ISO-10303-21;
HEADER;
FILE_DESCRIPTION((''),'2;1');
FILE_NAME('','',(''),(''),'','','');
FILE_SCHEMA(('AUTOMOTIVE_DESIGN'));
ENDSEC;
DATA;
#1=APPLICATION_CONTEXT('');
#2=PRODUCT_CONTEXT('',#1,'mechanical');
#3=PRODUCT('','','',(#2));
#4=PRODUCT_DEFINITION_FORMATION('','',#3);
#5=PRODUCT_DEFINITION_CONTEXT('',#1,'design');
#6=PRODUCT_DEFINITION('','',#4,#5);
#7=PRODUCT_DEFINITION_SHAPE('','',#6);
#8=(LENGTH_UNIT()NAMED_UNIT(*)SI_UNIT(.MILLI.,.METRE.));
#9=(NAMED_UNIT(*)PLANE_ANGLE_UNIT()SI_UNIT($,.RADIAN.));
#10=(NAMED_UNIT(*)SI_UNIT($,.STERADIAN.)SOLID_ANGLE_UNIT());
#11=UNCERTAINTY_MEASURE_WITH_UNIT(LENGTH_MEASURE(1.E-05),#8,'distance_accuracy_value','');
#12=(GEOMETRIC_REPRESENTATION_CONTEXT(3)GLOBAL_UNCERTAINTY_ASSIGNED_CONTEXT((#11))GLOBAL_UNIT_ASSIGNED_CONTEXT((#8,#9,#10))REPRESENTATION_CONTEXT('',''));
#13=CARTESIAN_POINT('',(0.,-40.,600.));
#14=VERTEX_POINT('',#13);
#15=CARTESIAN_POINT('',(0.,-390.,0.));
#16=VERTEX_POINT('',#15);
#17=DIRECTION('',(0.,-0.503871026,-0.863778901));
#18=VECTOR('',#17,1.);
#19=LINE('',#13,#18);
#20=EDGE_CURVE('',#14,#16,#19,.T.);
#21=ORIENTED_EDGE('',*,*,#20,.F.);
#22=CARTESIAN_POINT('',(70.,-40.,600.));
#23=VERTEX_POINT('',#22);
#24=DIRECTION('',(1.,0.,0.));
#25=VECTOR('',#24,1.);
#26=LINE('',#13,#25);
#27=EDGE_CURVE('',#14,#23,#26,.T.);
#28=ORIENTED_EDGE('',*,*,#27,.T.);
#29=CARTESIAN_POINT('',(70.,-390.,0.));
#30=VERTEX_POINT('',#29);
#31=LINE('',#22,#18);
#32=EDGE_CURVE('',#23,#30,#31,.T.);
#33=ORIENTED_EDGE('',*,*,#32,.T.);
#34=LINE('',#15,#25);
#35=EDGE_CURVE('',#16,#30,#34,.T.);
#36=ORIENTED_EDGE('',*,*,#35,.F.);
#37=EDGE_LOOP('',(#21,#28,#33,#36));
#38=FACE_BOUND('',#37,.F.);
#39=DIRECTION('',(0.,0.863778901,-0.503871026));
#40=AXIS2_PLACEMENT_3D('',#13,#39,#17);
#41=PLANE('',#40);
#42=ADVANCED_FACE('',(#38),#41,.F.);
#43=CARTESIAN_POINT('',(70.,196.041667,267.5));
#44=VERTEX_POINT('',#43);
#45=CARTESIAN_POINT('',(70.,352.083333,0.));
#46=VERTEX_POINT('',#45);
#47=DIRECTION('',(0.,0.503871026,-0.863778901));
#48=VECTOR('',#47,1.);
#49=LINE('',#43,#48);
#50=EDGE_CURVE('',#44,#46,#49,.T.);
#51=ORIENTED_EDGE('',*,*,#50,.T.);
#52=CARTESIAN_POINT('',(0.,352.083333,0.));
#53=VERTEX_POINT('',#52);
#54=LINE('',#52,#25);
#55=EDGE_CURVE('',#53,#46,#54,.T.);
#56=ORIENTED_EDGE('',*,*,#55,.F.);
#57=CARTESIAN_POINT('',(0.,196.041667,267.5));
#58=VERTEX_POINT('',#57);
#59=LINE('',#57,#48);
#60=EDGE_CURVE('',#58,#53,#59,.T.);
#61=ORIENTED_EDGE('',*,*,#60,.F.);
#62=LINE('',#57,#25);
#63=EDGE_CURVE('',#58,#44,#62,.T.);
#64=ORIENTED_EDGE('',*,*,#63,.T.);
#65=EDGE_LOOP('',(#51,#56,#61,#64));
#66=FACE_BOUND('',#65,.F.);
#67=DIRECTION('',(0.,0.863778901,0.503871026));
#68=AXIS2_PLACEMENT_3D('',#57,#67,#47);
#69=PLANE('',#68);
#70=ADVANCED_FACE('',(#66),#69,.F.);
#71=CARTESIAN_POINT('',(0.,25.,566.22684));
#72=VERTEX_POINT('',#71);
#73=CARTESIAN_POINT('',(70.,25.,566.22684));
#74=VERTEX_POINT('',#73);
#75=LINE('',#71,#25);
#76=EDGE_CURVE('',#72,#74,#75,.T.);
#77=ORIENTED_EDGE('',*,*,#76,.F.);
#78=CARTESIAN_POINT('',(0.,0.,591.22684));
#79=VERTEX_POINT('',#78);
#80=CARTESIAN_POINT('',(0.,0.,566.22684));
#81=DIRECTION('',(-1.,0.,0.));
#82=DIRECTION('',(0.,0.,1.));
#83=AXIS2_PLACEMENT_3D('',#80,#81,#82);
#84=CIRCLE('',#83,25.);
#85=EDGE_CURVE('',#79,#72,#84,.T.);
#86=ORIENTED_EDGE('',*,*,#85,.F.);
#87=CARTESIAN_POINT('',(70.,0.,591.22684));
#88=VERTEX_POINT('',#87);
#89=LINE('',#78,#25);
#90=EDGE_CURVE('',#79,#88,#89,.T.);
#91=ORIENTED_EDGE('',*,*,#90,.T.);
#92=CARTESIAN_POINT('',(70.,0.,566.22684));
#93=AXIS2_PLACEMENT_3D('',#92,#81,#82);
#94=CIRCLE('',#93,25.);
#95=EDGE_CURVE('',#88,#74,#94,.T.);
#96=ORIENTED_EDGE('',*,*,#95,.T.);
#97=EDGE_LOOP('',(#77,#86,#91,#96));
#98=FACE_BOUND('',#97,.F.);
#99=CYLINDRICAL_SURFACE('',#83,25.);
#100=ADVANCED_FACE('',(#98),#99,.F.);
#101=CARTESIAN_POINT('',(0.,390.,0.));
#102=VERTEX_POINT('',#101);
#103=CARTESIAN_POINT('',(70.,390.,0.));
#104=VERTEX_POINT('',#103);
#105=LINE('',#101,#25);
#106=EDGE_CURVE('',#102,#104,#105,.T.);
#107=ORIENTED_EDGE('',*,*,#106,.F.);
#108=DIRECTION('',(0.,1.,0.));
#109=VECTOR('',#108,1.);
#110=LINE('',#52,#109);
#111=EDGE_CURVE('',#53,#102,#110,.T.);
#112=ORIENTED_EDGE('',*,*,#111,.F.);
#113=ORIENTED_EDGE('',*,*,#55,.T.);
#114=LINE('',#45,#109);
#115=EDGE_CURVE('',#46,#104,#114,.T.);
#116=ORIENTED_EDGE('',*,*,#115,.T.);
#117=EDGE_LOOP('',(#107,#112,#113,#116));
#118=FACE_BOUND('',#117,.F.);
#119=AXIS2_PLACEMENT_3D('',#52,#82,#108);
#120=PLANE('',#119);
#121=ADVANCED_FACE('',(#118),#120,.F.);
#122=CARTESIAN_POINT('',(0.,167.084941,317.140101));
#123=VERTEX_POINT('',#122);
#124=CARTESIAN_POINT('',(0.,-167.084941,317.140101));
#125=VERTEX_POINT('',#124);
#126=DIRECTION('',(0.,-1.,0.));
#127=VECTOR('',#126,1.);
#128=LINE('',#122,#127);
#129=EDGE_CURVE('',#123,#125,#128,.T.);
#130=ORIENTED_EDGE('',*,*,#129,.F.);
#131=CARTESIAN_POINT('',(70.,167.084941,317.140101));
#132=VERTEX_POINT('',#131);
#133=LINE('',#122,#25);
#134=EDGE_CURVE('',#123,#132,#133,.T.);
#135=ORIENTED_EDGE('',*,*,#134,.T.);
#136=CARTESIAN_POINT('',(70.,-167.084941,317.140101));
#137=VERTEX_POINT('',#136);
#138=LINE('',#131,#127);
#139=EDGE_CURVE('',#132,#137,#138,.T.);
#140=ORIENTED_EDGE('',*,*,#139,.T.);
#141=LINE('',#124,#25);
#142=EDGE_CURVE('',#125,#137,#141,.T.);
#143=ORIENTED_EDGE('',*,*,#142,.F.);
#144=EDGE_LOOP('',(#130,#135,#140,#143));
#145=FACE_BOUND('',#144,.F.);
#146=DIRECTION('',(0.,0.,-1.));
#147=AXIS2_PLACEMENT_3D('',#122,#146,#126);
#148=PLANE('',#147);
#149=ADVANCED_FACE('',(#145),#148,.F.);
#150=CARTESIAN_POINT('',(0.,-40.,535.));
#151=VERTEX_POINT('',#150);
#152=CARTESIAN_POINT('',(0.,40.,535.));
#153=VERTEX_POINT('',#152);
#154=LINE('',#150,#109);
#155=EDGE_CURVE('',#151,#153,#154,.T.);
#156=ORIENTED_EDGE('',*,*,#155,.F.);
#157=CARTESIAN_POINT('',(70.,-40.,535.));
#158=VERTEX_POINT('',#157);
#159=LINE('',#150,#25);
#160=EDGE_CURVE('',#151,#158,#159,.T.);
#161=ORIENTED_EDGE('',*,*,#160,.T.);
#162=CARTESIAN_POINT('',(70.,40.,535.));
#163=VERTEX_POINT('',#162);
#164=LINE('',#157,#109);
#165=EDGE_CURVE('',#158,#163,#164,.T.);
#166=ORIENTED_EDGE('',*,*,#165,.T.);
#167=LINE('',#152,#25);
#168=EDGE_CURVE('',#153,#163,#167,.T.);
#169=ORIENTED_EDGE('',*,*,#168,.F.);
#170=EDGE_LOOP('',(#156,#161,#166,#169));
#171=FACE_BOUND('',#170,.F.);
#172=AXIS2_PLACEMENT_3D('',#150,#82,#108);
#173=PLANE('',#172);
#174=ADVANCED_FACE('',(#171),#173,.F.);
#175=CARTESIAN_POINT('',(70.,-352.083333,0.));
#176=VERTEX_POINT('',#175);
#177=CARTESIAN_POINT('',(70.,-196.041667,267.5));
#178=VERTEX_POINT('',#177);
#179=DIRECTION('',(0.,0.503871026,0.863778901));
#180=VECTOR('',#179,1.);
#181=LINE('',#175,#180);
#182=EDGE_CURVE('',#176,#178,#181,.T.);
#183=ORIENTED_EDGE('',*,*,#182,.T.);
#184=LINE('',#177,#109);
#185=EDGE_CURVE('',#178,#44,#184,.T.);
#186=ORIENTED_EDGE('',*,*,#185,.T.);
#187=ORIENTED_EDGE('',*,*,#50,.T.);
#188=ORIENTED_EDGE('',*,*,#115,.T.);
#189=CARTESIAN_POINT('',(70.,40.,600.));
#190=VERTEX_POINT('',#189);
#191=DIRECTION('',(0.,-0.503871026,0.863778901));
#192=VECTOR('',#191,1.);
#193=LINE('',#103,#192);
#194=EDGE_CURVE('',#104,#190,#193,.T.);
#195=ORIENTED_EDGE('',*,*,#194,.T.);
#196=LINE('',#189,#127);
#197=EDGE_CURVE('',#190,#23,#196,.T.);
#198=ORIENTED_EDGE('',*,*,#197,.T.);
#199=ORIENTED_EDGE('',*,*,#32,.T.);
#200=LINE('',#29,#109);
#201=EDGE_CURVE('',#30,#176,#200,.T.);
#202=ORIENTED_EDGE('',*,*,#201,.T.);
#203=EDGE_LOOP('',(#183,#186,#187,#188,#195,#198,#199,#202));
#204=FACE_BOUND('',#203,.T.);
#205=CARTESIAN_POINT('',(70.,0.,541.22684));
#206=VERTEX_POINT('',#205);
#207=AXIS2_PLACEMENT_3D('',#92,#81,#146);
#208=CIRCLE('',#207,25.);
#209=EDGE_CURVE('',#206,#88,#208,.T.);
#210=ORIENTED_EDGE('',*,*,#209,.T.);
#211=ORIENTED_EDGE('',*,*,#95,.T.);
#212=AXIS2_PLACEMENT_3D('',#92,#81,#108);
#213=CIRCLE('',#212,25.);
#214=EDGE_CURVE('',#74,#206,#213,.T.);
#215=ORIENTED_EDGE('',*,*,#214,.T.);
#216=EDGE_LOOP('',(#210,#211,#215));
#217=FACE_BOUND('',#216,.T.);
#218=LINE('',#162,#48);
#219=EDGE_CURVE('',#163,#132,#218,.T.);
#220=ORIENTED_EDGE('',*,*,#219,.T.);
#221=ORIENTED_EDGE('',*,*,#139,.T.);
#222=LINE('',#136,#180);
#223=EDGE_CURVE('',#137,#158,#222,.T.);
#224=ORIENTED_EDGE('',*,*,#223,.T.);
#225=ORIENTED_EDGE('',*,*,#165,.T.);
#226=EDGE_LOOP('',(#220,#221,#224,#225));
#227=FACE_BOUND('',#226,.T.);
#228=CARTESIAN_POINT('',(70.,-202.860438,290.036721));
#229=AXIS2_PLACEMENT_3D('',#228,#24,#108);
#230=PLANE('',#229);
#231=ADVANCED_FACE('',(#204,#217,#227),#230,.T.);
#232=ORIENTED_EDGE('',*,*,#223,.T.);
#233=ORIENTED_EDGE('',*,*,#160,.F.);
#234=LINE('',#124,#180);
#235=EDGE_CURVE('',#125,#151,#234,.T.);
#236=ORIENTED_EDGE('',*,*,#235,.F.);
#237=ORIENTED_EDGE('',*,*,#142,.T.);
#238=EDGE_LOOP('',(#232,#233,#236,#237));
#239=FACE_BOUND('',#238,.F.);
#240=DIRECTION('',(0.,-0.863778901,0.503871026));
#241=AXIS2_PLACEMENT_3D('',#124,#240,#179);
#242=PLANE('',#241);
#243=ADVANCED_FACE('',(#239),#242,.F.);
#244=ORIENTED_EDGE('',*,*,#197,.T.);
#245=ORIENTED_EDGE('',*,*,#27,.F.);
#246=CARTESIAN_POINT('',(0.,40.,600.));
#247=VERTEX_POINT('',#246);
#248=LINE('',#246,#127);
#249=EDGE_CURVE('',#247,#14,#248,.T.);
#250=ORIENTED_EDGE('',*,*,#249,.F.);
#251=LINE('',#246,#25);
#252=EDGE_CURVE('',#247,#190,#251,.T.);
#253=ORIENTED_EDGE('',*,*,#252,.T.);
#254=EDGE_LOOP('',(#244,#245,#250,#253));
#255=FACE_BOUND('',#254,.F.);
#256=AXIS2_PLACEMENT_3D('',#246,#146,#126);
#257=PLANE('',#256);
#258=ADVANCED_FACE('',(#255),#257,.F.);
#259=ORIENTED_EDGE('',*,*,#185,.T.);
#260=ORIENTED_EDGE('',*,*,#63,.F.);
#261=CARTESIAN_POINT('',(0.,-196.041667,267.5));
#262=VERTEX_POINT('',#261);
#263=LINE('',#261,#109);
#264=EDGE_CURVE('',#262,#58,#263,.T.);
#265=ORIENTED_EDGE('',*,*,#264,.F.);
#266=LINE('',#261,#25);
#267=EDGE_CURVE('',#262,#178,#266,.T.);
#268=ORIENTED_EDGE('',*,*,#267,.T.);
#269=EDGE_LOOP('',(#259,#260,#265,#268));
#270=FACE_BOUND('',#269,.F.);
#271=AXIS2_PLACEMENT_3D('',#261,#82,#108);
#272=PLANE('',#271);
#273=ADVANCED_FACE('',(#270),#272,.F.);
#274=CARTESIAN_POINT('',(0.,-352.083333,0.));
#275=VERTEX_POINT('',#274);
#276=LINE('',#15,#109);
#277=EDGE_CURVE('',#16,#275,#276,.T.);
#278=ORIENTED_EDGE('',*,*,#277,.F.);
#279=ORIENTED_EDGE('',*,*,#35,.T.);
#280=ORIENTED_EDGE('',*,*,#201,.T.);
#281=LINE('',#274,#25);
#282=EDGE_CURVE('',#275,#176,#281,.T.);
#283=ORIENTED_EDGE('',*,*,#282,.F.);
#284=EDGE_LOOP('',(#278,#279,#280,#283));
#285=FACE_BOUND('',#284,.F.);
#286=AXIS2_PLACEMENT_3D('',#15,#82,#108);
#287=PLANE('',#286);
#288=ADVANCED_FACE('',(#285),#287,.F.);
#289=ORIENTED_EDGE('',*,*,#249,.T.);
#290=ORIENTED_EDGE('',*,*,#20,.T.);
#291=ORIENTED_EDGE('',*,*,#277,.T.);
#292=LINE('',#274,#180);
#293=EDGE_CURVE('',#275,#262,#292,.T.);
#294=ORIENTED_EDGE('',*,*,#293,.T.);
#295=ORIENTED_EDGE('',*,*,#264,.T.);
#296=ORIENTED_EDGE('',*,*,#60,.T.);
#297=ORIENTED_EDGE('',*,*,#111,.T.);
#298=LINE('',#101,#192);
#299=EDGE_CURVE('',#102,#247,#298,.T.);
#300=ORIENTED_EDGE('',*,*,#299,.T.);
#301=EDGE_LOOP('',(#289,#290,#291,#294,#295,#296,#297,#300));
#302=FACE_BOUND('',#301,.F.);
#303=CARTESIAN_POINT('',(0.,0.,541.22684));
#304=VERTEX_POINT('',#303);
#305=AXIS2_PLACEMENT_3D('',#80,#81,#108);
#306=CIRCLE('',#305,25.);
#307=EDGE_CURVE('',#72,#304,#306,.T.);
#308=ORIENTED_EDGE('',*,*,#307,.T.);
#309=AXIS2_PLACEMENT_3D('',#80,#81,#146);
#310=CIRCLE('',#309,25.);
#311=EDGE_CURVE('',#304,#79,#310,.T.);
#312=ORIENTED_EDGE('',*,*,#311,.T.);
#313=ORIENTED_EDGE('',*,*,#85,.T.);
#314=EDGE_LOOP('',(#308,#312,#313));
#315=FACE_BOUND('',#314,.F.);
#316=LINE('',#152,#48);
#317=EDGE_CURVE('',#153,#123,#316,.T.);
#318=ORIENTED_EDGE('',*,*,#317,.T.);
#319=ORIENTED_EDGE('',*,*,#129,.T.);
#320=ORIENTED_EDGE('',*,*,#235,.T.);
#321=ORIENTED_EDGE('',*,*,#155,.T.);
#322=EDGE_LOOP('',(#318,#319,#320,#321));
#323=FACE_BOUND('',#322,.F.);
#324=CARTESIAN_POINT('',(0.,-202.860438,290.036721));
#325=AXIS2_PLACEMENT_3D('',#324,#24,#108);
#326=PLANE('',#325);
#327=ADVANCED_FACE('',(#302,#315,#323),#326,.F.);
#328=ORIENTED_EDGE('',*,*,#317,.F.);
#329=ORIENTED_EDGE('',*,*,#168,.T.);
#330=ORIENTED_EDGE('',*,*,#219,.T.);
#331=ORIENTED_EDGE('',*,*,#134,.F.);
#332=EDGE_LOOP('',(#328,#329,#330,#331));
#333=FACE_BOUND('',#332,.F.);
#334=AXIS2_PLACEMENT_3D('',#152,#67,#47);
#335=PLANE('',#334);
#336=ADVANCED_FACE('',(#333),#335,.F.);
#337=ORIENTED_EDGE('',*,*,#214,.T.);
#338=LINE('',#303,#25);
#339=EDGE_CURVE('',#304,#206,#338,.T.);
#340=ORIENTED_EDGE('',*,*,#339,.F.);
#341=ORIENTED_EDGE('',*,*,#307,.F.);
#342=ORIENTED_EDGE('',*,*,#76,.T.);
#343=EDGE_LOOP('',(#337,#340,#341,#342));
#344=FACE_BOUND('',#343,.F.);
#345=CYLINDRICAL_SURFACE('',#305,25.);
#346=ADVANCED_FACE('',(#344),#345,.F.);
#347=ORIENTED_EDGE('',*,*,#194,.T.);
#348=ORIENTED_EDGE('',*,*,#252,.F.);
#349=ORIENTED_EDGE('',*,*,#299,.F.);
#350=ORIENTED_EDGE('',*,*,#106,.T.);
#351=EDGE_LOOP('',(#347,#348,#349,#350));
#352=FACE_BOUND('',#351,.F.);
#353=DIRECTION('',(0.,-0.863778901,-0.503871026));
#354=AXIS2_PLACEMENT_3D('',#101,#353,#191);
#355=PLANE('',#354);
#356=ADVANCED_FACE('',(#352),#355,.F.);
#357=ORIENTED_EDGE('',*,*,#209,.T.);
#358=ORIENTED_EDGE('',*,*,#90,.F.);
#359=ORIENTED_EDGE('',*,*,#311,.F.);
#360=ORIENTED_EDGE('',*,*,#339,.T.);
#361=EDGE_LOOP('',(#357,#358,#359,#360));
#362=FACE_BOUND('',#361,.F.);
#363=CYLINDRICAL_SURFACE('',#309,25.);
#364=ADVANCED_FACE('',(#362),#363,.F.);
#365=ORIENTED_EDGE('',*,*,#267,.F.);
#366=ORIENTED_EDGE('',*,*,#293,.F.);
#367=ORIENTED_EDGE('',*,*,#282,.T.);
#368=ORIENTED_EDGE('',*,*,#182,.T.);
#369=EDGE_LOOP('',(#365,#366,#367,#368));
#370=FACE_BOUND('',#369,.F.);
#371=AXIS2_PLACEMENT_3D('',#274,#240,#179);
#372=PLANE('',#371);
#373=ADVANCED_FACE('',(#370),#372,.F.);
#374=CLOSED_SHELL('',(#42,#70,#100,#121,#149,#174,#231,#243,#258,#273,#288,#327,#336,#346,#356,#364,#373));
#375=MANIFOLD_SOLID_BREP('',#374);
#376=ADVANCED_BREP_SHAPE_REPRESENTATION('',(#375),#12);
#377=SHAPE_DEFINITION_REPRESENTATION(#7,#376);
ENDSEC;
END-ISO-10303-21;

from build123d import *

# Parameters (mm, degrees)
F0_W     = 40
F0_H     = 49.6401012129
F1_DEPTH = 70


with BuildPart() as f1:
    # F0 (on Right) → F1 (new body)
    with BuildSketch(Plane.YZ):
        Polygon((-390, 0), (-352.0833333333, 0), (-196.0416666667, 267.5), (-167.0849409591, 317.1401012129), (-40, 535), (-40, 600), align=None)
        with BuildLine():
            Line((0, 541.2268400192), (0, 535))
            Line((0, 535), (40, 535))
            Line((40, 535), (40, 600))
            Line((40, 600), (0, 600))
            Line((0, 600), (0, 591.2268400192))
            ThreePointArc((0, 591.2268400192), (17.6776695297, 583.9045095489), (25, 566.2268400192))
            ThreePointArc((25, 566.2268400192), (17.6776695297, 548.5491704896), (0, 541.2268400192))
        make_face()
        with BuildLine():
            Line((-40, 535), (0, 535))
            Line((0, 535), (0, 541.2268400192))
            ThreePointArc((0, 541.2268400192), (-25, 566.2268400192), (0, 591.2268400192))
            Line((0, 591.2268400192), (0, 600))
            Line((0, 600), (-40, 600))
            Line((-40, 600), (-40, 535))
        make_face()
        Polygon((196.0416666667, 267.5), (352.0833333333, 0), (390, 0), (40, 600), (40, 535), (167.0849409591, 317.1401012129), align=None)
        Polygon((40, 317.1401012129), (40, 267.5), (196.0416666667, 267.5), (167.0849409591, 317.1401012129), align=None)
        with Locations((20, 292.3200506065)):
            Rectangle(F0_W, F0_H)
        with Locations((-20, 292.3200506065)):
            Rectangle(F0_W, F0_H)
        Polygon((-196.0416666667, 267.5), (-40, 267.5), (-40, 317.1401012129), (-167.0849409591, 317.1401012129), align=None)
    extrude(amount=F1_DEPTH)


solid = f1.part
